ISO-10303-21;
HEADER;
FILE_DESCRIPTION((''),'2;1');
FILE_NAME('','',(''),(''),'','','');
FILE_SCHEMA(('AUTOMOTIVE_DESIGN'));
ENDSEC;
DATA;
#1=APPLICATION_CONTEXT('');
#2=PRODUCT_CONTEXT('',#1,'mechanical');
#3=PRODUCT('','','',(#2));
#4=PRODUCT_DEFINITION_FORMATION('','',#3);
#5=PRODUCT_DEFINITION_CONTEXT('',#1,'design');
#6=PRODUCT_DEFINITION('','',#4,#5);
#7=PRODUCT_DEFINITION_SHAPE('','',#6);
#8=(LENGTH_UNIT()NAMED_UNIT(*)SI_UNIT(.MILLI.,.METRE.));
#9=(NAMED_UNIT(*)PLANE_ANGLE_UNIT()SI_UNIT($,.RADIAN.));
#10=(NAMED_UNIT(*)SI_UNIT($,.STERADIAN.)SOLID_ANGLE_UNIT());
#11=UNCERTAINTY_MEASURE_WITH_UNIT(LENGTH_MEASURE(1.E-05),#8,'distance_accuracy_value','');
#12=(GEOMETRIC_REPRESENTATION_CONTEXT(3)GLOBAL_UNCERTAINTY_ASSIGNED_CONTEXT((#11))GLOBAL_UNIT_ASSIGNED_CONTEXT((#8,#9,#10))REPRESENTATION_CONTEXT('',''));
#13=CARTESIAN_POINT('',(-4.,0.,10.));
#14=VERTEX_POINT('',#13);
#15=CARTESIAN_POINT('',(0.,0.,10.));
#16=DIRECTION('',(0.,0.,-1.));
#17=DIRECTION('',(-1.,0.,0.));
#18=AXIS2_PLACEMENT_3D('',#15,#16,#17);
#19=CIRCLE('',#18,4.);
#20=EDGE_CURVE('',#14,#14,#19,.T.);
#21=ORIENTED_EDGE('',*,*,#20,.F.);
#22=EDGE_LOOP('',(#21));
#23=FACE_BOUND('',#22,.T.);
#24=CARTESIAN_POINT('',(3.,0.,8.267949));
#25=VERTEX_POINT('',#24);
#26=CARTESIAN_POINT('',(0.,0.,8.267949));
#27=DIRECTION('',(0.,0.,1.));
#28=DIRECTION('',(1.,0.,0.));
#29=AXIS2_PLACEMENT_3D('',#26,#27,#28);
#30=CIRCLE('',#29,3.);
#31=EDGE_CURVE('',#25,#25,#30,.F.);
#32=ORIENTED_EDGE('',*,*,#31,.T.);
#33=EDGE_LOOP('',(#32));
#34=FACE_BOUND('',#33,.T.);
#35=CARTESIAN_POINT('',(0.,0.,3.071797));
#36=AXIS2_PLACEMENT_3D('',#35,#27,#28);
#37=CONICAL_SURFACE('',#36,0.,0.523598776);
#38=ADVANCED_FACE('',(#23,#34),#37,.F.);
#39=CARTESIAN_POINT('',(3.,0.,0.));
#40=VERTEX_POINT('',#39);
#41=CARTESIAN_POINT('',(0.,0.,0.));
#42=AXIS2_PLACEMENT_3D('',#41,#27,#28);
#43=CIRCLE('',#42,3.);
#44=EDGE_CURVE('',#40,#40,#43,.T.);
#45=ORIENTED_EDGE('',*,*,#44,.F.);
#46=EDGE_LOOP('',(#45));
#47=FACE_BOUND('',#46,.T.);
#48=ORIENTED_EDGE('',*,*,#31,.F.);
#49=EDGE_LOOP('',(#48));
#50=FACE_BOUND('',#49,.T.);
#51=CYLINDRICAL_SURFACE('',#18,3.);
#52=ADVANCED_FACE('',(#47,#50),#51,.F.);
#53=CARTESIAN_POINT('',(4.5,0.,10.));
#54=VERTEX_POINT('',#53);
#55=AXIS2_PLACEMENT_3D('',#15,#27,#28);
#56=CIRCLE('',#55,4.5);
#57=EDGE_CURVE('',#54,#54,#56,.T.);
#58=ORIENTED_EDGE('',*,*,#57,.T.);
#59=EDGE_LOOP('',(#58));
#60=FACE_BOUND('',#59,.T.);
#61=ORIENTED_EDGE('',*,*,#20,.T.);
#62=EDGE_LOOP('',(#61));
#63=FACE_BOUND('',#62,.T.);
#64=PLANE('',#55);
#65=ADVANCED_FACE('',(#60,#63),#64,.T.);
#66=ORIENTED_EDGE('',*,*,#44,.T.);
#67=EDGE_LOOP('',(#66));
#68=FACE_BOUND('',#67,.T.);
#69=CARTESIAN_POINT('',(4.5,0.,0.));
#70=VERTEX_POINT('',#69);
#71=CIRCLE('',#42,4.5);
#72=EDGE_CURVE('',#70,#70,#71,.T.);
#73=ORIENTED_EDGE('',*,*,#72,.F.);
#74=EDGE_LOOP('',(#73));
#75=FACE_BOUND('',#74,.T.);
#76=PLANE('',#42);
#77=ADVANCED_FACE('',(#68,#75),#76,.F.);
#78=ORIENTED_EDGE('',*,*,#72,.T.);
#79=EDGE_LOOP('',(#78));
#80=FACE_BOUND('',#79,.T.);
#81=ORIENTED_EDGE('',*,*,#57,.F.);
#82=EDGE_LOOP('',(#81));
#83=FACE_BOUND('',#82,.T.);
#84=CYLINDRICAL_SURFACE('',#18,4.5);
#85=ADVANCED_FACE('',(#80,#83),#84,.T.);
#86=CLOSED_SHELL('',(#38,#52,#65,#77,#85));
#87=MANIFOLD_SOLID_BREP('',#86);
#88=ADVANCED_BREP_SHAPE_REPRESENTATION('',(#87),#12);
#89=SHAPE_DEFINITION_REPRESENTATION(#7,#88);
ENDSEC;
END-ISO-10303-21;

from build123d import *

# Parameters (mm, degrees)
SKETCH1_R           = 4.5
SKETCH1_R_2         = 3
BOSS_EXTRUDE1_DEPTH = 10


with BuildPart() as part:
    # Sketch1 → Boss-Extrude1 (new body)
    with BuildSketch(Plane.XY):
        Circle(SKETCH1_R)
        Circle(SKETCH1_R_2, mode=Mode.SUBTRACT)
    extrude(amount=BOSS_EXTRUDE1_DEPTH)

    # Sketch2 → Cut-Revolve1 (revolve, cut)
    with BuildSketch(Plane(origin=(0, 0, 0), x_dir=(1, 0, 0), z_dir=(0, 1, 0))):
        Polygon((-4, -10), (0, -3.07179677), (0, -10), align=None)
    revolve(axis=Axis((0, 0, 0), (0, 0, 1)), mode=Mode.SUBTRACT)


solid = part.part
